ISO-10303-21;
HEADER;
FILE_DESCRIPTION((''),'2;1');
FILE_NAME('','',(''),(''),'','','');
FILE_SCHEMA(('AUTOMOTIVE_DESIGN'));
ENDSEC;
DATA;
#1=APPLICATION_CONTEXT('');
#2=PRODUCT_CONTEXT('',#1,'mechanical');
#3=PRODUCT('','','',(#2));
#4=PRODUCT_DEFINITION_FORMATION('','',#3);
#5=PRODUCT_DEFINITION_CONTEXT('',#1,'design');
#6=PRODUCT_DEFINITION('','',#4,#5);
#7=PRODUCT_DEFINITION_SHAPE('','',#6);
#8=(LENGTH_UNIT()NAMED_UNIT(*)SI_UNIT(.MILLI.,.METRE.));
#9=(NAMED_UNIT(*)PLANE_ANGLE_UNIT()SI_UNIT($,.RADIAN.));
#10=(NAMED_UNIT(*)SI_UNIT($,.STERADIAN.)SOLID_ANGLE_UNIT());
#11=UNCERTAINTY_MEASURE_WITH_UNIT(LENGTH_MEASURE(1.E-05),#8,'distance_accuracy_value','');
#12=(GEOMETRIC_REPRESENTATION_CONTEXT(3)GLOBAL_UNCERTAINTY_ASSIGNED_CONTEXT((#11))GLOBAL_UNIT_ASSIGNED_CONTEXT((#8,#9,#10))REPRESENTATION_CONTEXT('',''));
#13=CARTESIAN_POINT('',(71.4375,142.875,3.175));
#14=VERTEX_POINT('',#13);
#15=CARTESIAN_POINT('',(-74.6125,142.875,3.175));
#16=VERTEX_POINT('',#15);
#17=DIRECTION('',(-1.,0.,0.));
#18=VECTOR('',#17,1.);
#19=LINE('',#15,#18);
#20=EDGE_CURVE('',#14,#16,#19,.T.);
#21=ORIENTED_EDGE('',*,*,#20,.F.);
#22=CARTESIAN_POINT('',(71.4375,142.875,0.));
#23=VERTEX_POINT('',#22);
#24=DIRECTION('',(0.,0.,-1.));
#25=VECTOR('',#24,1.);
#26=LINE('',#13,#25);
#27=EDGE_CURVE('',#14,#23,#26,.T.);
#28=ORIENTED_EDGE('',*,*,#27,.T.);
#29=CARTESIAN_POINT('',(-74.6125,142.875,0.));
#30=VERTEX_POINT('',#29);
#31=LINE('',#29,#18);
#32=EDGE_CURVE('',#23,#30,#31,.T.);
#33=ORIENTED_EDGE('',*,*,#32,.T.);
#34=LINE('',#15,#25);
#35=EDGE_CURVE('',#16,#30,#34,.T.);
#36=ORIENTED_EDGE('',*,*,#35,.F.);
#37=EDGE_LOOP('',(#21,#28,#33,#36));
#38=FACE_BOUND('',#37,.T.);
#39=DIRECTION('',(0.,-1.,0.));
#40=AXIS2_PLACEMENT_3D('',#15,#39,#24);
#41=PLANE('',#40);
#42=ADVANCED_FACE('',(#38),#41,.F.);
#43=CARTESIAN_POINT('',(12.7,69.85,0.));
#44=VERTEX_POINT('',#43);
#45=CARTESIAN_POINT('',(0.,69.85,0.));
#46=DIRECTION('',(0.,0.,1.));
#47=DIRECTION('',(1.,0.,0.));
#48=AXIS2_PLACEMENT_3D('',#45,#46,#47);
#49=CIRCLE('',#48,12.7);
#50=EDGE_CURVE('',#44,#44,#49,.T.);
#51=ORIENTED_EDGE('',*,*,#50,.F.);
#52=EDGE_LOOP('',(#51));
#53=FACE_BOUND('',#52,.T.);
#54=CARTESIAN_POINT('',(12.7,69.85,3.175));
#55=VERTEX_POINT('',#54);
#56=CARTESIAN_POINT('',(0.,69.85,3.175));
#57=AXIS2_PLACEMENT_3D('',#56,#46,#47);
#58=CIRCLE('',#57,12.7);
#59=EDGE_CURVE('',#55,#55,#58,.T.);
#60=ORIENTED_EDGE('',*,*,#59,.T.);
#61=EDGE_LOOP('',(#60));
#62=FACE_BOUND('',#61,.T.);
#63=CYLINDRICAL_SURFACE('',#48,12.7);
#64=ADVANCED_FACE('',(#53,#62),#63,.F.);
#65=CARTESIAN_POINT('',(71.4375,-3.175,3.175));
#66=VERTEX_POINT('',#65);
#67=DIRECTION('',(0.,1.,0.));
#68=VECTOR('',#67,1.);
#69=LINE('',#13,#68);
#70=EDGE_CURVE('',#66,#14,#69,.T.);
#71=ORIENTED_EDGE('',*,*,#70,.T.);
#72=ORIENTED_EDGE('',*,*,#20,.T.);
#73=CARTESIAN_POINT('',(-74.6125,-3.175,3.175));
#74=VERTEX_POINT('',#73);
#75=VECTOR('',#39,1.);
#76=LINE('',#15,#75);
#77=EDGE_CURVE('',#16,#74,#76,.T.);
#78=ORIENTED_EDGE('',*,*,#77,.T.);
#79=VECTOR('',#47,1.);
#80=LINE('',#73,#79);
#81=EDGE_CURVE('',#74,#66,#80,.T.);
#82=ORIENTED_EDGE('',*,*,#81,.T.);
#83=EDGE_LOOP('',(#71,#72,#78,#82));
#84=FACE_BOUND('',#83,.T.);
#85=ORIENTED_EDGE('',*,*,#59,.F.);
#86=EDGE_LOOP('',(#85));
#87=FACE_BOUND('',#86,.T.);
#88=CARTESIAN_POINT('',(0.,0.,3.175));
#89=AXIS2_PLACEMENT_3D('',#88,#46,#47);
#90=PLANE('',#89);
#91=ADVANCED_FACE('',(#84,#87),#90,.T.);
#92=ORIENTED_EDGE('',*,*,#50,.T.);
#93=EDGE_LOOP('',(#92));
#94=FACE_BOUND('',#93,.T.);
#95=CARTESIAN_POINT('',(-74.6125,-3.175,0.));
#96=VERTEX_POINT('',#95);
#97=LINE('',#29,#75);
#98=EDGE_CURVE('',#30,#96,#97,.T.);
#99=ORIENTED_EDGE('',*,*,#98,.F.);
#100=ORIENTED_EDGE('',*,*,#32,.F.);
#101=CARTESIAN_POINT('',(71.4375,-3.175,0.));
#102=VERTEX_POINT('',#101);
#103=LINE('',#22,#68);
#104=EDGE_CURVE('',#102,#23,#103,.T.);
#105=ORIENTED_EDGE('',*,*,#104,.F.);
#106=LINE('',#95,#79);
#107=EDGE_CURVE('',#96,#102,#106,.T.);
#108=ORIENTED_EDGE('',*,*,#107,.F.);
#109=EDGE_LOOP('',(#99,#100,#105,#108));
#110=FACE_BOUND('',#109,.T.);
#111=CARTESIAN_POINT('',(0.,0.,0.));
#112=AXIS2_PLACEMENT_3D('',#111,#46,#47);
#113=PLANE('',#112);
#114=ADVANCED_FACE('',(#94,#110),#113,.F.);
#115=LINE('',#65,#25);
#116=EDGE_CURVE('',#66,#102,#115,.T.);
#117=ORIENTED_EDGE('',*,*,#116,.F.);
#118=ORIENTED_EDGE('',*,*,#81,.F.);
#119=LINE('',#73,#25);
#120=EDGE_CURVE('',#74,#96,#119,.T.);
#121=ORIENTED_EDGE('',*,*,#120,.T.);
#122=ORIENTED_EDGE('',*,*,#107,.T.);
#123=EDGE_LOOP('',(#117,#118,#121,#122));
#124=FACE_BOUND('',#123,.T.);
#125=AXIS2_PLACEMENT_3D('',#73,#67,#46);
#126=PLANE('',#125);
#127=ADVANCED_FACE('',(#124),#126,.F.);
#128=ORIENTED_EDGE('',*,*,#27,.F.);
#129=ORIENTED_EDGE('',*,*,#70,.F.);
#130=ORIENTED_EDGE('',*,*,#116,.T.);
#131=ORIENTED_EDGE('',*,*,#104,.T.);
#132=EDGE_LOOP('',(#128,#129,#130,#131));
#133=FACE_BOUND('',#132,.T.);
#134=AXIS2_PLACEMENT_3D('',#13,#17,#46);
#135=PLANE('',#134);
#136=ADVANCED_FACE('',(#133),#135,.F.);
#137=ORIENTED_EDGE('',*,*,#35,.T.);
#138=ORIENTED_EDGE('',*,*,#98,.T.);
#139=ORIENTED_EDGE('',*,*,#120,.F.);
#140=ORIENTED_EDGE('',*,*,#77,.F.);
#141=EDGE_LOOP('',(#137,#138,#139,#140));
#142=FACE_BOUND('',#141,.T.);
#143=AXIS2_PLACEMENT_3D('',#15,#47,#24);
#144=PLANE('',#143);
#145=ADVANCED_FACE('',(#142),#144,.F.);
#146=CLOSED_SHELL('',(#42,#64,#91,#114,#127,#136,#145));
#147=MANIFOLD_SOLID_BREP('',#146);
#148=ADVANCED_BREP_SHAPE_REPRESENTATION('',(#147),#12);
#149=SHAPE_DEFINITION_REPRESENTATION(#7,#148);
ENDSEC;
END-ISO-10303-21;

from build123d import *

# Parameters (mm, degrees)
SKETCH1_W           = 146.05
SKETCH1_H           = 146.05
BOSS_EXTRUDE1_DEPTH = 3.175
CUT_EXTRUDE1_DEPTH  = 4.175


with BuildPart() as part:
    # Sketch1 → Boss-Extrude1 (new body)
    with BuildSketch(Plane.XY):
        with Locations((-1.5875, 69.85)):
            Rectangle(SKETCH1_W, SKETCH1_H)
    extrude(amount=BOSS_EXTRUDE1_DEPTH)

    # Sketch2 → Cut-Extrude1 (cut, through all)
    with BuildSketch(Plane.XY.offset(3.175)):
        with BuildLine():
            ThreePointArc((12.7, 69.85), (0, 82.55), (-12.7, 69.85))
            Line((-12.7, 69.85), (0, 69.85))
            Line((0, 69.85), (0, 57.15))
            ThreePointArc((0, 57.15), (8.980256121, 60.869743879), (12.7, 69.85))
        make_face()
        with BuildLine():
            Line((0, 69.85), (-12.7, 69.85))
            ThreePointArc((-12.7, 69.85), (-8.980256121, 60.869743879), (0, 57.15))
            Line((0, 57.15), (0, 69.85))
        make_face()
    extrude(amount=-CUT_EXTRUDE1_DEPTH, mode=Mode.SUBTRACT)


solid = part.part
